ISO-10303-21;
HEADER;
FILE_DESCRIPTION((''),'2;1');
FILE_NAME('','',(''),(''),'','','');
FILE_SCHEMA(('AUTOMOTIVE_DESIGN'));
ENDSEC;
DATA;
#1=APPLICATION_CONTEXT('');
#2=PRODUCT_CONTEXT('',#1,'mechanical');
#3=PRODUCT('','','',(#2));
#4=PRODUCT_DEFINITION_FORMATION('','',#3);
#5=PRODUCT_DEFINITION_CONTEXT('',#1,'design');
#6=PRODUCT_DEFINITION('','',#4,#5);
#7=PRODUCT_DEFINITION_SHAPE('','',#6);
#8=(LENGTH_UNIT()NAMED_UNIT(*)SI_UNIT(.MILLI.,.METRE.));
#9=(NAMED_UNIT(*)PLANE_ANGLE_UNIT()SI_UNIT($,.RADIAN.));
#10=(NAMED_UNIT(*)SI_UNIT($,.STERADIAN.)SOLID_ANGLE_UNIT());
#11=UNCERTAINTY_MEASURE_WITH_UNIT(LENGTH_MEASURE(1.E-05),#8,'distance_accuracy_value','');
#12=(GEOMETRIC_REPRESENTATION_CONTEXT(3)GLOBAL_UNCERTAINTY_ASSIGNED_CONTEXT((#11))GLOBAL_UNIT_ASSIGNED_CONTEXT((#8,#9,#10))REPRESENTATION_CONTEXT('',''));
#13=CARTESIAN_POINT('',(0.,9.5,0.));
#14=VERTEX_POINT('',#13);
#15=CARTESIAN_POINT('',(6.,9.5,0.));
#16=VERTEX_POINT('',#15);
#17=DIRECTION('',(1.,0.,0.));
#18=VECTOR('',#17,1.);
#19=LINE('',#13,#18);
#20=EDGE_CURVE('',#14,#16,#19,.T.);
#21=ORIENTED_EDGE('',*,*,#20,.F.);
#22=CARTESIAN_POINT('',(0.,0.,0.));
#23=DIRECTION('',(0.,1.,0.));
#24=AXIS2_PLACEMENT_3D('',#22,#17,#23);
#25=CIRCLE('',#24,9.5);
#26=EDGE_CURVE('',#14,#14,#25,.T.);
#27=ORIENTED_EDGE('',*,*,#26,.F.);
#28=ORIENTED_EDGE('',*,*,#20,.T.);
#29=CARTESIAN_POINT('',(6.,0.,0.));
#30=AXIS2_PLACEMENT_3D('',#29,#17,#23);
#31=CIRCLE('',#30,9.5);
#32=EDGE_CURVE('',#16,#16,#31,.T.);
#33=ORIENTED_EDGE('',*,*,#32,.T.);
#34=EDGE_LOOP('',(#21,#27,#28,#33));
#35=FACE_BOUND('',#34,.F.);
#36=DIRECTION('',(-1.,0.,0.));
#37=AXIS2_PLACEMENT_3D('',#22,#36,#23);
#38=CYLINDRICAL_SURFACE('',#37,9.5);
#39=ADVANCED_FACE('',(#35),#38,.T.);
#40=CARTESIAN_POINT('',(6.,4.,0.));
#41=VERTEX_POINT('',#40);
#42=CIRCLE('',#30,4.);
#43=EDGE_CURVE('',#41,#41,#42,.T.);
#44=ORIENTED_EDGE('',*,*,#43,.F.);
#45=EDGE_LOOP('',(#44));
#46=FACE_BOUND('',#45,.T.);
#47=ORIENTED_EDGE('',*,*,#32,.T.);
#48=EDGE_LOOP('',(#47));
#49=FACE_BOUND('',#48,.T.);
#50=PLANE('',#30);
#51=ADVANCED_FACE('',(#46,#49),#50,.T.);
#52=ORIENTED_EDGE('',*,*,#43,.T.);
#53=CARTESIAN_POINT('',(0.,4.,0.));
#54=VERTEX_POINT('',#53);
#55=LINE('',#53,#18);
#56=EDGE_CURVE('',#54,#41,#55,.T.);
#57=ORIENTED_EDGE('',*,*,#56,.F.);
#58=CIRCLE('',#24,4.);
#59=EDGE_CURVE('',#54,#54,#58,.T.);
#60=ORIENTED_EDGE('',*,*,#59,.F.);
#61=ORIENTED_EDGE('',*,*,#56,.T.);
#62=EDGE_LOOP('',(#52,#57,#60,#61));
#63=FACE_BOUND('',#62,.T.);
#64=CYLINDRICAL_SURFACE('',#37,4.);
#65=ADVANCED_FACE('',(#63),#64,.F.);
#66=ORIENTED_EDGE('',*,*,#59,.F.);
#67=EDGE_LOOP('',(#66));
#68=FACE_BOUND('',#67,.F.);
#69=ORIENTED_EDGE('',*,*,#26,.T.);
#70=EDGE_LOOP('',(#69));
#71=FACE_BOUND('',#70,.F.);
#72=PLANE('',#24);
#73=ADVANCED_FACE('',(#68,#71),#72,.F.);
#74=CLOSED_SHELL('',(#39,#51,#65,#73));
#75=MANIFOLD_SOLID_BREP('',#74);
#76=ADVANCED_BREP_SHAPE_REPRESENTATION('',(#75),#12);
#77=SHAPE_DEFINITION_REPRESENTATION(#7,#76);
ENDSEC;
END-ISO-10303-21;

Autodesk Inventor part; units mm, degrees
ref_plane "YZ Plane" through (0, 0, 0) normal (1, 0, 0) x (0, 1, 0)
ref_plane "XZ Plane" through (0, 0, 0) normal (0, 1, 0) x (-1, 0, 0)
ref_plane "XY Plane" through (0, 0, 0) normal (0, 0, 1) x (1, 0, 0)
sketch "スケッチ1" plane through (0, 0, 0) normal (1, 0, 0) x (0, 1, 0)
  circle A0 centre (0, 0) radius 4
  circle A1 centre (0, 0) radius 9.5
  dimension "d0" = 8
  dimension "d1" = 19
extrude "押し出し1" add sketch "スケッチ1" along normal blind 6
properties part number "8-19" material "アルミニウム 6061"
